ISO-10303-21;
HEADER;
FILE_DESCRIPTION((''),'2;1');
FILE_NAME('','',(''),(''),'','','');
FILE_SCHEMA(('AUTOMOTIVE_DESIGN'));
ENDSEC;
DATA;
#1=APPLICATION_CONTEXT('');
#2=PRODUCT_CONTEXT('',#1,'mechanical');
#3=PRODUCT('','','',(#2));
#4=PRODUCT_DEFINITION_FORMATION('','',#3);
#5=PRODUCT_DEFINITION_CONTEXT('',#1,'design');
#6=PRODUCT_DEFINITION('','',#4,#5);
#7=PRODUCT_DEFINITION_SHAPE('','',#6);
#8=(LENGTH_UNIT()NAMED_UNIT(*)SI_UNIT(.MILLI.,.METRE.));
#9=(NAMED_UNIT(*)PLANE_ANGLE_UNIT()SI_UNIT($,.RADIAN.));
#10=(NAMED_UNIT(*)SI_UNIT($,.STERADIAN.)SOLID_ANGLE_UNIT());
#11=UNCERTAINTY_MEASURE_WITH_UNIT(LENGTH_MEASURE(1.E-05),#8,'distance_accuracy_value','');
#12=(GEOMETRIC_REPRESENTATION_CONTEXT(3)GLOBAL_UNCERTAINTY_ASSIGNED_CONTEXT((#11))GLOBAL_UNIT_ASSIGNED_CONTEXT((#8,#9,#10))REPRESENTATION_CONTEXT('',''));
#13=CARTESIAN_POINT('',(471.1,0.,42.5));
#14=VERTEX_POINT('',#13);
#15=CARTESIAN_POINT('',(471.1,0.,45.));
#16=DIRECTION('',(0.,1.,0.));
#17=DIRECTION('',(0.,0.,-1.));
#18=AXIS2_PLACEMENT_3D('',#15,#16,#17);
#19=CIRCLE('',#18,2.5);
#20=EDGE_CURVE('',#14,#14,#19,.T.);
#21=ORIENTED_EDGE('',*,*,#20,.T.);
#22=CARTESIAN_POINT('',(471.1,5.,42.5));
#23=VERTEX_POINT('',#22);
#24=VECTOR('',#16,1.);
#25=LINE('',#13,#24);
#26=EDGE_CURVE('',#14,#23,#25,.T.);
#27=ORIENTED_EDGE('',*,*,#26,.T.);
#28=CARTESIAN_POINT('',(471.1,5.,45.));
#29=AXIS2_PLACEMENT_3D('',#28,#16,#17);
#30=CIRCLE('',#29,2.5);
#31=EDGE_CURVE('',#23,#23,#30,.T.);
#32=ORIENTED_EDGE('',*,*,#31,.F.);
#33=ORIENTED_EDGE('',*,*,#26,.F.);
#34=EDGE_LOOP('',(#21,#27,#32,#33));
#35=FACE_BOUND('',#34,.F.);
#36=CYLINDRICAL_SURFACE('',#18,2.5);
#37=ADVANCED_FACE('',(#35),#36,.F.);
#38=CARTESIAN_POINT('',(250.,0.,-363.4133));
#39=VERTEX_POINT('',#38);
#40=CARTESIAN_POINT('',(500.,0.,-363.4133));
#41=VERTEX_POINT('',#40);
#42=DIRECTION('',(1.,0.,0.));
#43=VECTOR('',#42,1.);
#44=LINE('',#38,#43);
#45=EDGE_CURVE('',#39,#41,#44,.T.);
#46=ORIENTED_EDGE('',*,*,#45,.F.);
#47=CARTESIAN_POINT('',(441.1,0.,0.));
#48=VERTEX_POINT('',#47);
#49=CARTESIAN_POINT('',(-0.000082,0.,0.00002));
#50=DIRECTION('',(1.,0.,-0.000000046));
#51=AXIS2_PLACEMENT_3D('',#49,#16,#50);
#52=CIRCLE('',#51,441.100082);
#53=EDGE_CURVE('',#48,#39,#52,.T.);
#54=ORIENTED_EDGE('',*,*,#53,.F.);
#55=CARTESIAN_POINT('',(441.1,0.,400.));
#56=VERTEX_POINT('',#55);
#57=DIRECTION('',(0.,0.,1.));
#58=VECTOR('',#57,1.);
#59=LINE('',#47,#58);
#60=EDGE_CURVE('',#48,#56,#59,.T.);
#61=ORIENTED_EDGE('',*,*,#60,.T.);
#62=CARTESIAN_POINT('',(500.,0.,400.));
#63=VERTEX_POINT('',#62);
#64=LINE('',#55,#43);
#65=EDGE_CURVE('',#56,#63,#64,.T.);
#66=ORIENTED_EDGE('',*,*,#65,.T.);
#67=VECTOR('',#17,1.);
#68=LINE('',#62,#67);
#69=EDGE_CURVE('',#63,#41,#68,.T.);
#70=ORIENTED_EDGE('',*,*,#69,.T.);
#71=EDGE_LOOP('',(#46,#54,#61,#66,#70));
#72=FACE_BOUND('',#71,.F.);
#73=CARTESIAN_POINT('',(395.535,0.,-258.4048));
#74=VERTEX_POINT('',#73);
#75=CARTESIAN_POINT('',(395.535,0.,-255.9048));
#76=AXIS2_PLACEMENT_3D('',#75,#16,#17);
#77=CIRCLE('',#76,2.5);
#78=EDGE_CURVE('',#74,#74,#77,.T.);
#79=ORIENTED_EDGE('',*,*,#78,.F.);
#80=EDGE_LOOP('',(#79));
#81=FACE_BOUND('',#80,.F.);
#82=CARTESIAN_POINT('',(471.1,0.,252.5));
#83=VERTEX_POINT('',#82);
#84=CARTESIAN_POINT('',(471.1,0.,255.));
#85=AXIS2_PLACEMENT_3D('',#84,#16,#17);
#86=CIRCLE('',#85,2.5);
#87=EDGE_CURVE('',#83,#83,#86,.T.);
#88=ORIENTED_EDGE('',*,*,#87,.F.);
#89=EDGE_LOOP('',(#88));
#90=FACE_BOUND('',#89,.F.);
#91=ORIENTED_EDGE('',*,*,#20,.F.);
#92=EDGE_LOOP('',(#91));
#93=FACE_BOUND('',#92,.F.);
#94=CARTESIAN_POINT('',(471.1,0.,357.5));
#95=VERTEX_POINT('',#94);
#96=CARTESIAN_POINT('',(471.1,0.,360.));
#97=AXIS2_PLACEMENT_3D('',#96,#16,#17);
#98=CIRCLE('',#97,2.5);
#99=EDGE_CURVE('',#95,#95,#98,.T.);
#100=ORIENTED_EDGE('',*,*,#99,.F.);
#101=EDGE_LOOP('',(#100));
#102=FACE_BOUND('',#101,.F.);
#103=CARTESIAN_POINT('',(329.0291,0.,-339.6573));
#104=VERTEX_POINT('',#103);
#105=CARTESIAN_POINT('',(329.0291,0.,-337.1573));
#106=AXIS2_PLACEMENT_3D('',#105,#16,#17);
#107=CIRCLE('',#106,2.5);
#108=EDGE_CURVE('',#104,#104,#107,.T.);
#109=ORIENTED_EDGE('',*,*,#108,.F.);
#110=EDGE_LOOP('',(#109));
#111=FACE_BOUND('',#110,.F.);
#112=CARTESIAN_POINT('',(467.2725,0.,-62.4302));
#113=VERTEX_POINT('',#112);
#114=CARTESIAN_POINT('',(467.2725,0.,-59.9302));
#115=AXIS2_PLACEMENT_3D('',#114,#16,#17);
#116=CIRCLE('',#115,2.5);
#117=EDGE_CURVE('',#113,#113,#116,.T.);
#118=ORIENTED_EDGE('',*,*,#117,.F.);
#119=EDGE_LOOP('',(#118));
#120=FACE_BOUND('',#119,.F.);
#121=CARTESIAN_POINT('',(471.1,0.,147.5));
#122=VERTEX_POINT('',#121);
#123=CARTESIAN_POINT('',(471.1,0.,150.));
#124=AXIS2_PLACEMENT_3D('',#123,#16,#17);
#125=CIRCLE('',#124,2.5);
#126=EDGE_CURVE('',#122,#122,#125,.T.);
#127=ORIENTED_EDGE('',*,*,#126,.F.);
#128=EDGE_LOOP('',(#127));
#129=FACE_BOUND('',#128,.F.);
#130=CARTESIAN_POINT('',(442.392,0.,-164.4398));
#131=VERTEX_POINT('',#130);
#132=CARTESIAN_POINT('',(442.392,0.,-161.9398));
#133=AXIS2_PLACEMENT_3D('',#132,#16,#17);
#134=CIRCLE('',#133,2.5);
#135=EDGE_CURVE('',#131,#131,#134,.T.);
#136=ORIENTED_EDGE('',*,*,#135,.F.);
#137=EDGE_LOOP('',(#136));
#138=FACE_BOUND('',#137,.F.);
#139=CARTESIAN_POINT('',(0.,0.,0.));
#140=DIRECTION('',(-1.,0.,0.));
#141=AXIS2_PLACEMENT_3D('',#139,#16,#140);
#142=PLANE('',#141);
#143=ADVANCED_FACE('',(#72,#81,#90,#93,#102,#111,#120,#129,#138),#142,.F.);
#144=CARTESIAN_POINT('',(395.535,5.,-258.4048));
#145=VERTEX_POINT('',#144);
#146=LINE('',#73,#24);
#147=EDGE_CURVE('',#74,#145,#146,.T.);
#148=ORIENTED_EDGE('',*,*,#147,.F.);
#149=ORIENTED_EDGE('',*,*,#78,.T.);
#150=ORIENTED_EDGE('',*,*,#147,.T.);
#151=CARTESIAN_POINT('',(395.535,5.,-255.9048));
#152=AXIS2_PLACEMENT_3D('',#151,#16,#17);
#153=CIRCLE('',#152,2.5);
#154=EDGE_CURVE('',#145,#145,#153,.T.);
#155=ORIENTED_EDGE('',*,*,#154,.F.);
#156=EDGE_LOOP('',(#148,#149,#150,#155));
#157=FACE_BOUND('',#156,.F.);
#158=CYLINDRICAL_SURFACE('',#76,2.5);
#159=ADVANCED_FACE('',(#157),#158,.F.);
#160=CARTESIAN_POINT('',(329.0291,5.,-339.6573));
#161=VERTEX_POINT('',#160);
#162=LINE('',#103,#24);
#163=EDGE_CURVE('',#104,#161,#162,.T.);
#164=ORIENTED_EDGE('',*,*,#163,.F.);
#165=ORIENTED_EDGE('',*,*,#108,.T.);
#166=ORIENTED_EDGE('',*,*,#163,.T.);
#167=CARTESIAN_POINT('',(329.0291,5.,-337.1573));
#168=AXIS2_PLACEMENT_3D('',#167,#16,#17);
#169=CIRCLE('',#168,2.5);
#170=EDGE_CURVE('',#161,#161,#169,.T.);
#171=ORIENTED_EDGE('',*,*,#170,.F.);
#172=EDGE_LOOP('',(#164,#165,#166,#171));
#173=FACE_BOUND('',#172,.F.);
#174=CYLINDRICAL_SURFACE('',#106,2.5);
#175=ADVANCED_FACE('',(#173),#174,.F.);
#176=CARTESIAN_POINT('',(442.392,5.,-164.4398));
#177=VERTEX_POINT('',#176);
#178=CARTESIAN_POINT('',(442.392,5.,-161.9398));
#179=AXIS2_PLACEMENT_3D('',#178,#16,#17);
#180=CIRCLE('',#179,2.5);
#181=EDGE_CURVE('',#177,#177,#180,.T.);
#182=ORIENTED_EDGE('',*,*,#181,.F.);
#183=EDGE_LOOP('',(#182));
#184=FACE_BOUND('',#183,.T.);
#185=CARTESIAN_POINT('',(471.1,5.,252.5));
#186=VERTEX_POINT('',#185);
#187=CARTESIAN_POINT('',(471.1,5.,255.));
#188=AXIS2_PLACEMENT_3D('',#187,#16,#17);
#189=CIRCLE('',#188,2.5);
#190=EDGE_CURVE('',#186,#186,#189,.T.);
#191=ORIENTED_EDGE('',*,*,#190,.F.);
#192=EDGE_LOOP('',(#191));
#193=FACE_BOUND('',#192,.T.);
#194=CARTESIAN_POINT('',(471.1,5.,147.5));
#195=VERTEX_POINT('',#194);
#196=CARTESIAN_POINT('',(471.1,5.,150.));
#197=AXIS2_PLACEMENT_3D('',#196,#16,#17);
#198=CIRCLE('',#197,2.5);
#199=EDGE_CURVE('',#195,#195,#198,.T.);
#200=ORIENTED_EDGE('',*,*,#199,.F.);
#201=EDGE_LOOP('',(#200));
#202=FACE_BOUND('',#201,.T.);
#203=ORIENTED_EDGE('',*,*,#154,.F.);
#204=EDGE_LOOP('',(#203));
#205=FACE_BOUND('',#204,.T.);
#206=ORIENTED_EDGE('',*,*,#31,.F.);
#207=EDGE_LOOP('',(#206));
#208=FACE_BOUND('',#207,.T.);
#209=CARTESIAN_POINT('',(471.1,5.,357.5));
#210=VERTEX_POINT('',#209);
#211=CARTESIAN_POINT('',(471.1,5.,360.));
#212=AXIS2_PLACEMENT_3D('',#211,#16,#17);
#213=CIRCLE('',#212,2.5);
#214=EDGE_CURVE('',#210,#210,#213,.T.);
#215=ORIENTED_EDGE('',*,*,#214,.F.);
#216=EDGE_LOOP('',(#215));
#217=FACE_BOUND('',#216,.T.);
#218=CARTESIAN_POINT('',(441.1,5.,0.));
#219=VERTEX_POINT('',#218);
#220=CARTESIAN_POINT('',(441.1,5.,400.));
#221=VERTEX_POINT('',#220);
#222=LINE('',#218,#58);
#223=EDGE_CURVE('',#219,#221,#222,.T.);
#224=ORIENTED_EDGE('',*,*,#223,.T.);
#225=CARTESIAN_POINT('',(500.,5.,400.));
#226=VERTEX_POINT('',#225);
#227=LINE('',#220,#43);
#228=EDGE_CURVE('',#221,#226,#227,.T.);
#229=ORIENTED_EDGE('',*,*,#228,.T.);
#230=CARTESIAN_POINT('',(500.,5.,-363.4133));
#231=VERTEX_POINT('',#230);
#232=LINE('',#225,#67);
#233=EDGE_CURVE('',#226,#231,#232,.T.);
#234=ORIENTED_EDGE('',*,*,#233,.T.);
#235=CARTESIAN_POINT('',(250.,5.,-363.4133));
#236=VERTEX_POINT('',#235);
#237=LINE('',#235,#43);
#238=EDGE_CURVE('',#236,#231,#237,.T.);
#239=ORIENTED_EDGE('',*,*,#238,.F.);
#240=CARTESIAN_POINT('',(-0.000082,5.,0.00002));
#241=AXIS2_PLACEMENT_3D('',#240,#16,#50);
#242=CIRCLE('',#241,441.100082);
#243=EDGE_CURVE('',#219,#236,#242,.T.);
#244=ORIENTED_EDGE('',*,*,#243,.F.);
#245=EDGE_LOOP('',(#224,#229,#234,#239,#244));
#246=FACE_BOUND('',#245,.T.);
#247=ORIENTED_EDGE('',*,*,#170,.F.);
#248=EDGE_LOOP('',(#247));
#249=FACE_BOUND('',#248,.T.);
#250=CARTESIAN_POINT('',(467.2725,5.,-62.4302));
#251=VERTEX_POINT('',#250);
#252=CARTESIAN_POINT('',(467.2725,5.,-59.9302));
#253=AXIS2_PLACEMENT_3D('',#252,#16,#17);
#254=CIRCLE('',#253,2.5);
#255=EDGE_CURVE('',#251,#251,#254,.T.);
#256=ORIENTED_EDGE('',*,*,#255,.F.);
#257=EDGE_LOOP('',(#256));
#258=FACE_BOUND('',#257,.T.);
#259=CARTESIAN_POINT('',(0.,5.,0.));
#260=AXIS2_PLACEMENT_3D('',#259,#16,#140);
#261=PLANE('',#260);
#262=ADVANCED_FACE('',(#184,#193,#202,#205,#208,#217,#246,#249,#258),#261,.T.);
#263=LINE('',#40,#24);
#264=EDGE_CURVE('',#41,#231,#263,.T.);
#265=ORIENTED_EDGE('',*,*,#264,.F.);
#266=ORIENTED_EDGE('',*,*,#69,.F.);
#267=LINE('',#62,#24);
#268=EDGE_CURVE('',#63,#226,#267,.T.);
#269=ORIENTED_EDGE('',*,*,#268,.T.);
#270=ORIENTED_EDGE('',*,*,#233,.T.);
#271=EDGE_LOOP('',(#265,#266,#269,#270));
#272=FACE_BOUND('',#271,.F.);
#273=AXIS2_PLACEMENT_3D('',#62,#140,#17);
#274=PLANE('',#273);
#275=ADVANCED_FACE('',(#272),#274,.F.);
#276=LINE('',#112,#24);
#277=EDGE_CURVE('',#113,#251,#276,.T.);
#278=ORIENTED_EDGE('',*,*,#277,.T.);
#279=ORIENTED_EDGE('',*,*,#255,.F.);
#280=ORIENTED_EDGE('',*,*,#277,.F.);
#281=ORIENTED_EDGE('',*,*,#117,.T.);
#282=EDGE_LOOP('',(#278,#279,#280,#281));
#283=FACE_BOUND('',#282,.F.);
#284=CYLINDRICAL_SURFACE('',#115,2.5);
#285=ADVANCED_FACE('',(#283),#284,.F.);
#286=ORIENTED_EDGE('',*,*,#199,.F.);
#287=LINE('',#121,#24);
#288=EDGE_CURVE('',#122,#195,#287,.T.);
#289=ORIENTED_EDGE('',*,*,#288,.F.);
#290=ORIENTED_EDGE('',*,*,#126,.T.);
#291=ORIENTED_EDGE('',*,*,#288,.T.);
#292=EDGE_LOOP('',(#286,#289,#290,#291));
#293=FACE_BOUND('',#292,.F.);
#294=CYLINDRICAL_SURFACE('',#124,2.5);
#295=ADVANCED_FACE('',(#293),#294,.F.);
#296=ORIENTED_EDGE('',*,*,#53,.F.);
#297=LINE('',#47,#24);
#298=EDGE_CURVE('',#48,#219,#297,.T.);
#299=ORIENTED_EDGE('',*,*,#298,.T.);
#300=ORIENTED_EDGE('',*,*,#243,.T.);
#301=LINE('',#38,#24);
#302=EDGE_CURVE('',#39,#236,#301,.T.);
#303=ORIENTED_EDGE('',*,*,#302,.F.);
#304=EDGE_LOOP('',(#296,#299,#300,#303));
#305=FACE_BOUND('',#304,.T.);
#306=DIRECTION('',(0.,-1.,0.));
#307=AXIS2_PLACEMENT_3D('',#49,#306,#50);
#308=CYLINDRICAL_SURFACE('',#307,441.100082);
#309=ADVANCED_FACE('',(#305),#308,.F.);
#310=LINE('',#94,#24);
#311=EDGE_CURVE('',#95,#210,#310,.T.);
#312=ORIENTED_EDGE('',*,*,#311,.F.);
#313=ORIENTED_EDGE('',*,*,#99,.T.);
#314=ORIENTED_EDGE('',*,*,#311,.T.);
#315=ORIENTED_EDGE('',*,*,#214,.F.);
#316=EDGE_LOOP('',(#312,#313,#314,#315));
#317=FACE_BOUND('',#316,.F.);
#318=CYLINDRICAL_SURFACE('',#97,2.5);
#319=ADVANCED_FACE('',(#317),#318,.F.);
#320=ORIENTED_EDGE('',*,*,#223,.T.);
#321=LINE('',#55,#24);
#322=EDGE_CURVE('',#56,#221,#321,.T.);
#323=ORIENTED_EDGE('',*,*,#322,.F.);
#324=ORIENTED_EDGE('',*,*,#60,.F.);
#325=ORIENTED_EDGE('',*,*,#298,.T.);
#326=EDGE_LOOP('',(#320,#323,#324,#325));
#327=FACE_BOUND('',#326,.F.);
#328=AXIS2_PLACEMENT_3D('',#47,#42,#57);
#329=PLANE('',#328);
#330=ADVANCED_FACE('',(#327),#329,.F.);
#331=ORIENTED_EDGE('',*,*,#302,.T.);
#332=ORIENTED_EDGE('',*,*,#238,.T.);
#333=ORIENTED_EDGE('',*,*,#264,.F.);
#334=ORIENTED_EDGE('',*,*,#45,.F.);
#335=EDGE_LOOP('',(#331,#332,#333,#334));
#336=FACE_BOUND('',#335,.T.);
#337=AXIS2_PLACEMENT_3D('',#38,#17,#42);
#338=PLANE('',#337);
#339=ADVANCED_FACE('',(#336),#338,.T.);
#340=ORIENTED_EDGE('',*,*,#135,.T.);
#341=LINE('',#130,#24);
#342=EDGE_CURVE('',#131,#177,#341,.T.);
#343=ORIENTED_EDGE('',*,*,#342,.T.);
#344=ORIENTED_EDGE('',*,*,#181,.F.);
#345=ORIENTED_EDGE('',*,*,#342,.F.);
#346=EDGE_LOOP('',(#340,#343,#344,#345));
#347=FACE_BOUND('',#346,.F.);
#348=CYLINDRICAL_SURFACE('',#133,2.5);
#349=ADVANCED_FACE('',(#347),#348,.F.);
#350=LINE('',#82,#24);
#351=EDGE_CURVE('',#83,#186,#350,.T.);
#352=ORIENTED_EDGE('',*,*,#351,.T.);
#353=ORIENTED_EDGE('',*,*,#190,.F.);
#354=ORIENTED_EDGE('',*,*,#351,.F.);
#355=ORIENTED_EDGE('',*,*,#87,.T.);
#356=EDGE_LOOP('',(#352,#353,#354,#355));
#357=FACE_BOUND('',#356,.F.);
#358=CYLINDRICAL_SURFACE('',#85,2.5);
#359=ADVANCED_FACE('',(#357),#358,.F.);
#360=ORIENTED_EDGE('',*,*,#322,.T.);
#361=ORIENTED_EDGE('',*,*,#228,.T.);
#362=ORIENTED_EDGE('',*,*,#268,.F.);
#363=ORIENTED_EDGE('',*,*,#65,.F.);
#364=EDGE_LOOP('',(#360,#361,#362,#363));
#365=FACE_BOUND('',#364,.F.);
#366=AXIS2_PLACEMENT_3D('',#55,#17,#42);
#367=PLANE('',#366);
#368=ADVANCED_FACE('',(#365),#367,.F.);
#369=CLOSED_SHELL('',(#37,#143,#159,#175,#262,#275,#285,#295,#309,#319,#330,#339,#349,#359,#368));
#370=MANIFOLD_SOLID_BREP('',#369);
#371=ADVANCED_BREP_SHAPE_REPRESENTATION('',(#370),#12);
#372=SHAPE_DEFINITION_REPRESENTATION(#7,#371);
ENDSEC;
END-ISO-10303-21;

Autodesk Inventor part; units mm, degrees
ref_plane "YZ Plane" through (0, 0, 0) normal (1, 0, 0) x (0, 1, 0)
ref_plane "XZ Plane" through (0, 0, 0) normal (0, 1, 0) x (-1, 0, 0)
ref_plane "XY Plane" through (0, 0, 0) normal (0, 0, 1) x (1, 0, 0)
sketch "Sketch1" plane through (0, 0, 0) normal (0, 1, 0) x (-1, 0, 0)
  line L0 (0, 290.198) -> (0, -290.198) construction
  line L1 (98.4779, 0) -> (-98.4779, 0) construction
  arc A0 (-441.1, 0) -> (-250, -363.4133) centre (0, 0) ccw
  line L2 (-441.1, 0) -> (-441.1, 400)
  line L3 (-441.1, 400) -> (-500, 400)
  line L4 (-500, 400) -> (-500, -363.4133)
  line L5 (-250, -363.4133) -> (-500, -363.4133)
  dimension "d0" = 500
  dimension "d1" = 400
  dimension "d3" = 441.1
  dimension "d5" = 363.4133
extrude "Extrusion1" add sketch "Sketch1" along normal blind 5
sketch "Sketch2" plane through (0, 0, 0) normal (0, -1, 0) x (1, 0, 0)
  line L0 (441.1, 400) -> (500, 400) projected
  line L1 (441.1, 0) -> (441.1, 400) projected
  line L2 (0, 0) -> (467.2725, -59.9302) construction
  line L3 (0, 0) -> (442.392, -161.9398) construction
  line L4 (0, 0) -> (395.535, -255.9048) construction
  line L5 (0, 0) -> (329.0291, -337.1573) construction
  line L6 (471.1, 255) -> (471.1, 360) construction
  line L7 (471.1, 255) -> (471.1, 150) construction
  line L8 (471.1, 150) -> (471.1, 45) construction
  line L9 (500, 400) -> (500, -363.4133) construction
  line L10 (471.1, 45) -> (467.2725, -59.9302) construction
  line L11 (467.2725, -59.9302) -> (442.392, -161.9398) construction
  line L12 (442.392, -161.9398) -> (395.535, -255.9048) construction
  line L13 (395.535, -255.9048) -> (329.0291, -337.1573) construction
  point P0 (470.55, 400)
  dimension "d8" = 40
  dimension "d9" = 30
  dimension "d10" = 471.1
  dimension "d15" = 105
hole "Hole1" at (471.1, 0, 360) at (471.1, 0, 255) at (471.1, 0, 150) at (471.1, 0, 45) at (467.2725, 0, -59.9302) at (442.392, 0, -161.9398) at (395.535, 0, -255.9048) at (329.0291, 0, -337.1573) direction (0, 1, 0) diameter 5 end through all
properties part number "boundaryHalf1V1"
